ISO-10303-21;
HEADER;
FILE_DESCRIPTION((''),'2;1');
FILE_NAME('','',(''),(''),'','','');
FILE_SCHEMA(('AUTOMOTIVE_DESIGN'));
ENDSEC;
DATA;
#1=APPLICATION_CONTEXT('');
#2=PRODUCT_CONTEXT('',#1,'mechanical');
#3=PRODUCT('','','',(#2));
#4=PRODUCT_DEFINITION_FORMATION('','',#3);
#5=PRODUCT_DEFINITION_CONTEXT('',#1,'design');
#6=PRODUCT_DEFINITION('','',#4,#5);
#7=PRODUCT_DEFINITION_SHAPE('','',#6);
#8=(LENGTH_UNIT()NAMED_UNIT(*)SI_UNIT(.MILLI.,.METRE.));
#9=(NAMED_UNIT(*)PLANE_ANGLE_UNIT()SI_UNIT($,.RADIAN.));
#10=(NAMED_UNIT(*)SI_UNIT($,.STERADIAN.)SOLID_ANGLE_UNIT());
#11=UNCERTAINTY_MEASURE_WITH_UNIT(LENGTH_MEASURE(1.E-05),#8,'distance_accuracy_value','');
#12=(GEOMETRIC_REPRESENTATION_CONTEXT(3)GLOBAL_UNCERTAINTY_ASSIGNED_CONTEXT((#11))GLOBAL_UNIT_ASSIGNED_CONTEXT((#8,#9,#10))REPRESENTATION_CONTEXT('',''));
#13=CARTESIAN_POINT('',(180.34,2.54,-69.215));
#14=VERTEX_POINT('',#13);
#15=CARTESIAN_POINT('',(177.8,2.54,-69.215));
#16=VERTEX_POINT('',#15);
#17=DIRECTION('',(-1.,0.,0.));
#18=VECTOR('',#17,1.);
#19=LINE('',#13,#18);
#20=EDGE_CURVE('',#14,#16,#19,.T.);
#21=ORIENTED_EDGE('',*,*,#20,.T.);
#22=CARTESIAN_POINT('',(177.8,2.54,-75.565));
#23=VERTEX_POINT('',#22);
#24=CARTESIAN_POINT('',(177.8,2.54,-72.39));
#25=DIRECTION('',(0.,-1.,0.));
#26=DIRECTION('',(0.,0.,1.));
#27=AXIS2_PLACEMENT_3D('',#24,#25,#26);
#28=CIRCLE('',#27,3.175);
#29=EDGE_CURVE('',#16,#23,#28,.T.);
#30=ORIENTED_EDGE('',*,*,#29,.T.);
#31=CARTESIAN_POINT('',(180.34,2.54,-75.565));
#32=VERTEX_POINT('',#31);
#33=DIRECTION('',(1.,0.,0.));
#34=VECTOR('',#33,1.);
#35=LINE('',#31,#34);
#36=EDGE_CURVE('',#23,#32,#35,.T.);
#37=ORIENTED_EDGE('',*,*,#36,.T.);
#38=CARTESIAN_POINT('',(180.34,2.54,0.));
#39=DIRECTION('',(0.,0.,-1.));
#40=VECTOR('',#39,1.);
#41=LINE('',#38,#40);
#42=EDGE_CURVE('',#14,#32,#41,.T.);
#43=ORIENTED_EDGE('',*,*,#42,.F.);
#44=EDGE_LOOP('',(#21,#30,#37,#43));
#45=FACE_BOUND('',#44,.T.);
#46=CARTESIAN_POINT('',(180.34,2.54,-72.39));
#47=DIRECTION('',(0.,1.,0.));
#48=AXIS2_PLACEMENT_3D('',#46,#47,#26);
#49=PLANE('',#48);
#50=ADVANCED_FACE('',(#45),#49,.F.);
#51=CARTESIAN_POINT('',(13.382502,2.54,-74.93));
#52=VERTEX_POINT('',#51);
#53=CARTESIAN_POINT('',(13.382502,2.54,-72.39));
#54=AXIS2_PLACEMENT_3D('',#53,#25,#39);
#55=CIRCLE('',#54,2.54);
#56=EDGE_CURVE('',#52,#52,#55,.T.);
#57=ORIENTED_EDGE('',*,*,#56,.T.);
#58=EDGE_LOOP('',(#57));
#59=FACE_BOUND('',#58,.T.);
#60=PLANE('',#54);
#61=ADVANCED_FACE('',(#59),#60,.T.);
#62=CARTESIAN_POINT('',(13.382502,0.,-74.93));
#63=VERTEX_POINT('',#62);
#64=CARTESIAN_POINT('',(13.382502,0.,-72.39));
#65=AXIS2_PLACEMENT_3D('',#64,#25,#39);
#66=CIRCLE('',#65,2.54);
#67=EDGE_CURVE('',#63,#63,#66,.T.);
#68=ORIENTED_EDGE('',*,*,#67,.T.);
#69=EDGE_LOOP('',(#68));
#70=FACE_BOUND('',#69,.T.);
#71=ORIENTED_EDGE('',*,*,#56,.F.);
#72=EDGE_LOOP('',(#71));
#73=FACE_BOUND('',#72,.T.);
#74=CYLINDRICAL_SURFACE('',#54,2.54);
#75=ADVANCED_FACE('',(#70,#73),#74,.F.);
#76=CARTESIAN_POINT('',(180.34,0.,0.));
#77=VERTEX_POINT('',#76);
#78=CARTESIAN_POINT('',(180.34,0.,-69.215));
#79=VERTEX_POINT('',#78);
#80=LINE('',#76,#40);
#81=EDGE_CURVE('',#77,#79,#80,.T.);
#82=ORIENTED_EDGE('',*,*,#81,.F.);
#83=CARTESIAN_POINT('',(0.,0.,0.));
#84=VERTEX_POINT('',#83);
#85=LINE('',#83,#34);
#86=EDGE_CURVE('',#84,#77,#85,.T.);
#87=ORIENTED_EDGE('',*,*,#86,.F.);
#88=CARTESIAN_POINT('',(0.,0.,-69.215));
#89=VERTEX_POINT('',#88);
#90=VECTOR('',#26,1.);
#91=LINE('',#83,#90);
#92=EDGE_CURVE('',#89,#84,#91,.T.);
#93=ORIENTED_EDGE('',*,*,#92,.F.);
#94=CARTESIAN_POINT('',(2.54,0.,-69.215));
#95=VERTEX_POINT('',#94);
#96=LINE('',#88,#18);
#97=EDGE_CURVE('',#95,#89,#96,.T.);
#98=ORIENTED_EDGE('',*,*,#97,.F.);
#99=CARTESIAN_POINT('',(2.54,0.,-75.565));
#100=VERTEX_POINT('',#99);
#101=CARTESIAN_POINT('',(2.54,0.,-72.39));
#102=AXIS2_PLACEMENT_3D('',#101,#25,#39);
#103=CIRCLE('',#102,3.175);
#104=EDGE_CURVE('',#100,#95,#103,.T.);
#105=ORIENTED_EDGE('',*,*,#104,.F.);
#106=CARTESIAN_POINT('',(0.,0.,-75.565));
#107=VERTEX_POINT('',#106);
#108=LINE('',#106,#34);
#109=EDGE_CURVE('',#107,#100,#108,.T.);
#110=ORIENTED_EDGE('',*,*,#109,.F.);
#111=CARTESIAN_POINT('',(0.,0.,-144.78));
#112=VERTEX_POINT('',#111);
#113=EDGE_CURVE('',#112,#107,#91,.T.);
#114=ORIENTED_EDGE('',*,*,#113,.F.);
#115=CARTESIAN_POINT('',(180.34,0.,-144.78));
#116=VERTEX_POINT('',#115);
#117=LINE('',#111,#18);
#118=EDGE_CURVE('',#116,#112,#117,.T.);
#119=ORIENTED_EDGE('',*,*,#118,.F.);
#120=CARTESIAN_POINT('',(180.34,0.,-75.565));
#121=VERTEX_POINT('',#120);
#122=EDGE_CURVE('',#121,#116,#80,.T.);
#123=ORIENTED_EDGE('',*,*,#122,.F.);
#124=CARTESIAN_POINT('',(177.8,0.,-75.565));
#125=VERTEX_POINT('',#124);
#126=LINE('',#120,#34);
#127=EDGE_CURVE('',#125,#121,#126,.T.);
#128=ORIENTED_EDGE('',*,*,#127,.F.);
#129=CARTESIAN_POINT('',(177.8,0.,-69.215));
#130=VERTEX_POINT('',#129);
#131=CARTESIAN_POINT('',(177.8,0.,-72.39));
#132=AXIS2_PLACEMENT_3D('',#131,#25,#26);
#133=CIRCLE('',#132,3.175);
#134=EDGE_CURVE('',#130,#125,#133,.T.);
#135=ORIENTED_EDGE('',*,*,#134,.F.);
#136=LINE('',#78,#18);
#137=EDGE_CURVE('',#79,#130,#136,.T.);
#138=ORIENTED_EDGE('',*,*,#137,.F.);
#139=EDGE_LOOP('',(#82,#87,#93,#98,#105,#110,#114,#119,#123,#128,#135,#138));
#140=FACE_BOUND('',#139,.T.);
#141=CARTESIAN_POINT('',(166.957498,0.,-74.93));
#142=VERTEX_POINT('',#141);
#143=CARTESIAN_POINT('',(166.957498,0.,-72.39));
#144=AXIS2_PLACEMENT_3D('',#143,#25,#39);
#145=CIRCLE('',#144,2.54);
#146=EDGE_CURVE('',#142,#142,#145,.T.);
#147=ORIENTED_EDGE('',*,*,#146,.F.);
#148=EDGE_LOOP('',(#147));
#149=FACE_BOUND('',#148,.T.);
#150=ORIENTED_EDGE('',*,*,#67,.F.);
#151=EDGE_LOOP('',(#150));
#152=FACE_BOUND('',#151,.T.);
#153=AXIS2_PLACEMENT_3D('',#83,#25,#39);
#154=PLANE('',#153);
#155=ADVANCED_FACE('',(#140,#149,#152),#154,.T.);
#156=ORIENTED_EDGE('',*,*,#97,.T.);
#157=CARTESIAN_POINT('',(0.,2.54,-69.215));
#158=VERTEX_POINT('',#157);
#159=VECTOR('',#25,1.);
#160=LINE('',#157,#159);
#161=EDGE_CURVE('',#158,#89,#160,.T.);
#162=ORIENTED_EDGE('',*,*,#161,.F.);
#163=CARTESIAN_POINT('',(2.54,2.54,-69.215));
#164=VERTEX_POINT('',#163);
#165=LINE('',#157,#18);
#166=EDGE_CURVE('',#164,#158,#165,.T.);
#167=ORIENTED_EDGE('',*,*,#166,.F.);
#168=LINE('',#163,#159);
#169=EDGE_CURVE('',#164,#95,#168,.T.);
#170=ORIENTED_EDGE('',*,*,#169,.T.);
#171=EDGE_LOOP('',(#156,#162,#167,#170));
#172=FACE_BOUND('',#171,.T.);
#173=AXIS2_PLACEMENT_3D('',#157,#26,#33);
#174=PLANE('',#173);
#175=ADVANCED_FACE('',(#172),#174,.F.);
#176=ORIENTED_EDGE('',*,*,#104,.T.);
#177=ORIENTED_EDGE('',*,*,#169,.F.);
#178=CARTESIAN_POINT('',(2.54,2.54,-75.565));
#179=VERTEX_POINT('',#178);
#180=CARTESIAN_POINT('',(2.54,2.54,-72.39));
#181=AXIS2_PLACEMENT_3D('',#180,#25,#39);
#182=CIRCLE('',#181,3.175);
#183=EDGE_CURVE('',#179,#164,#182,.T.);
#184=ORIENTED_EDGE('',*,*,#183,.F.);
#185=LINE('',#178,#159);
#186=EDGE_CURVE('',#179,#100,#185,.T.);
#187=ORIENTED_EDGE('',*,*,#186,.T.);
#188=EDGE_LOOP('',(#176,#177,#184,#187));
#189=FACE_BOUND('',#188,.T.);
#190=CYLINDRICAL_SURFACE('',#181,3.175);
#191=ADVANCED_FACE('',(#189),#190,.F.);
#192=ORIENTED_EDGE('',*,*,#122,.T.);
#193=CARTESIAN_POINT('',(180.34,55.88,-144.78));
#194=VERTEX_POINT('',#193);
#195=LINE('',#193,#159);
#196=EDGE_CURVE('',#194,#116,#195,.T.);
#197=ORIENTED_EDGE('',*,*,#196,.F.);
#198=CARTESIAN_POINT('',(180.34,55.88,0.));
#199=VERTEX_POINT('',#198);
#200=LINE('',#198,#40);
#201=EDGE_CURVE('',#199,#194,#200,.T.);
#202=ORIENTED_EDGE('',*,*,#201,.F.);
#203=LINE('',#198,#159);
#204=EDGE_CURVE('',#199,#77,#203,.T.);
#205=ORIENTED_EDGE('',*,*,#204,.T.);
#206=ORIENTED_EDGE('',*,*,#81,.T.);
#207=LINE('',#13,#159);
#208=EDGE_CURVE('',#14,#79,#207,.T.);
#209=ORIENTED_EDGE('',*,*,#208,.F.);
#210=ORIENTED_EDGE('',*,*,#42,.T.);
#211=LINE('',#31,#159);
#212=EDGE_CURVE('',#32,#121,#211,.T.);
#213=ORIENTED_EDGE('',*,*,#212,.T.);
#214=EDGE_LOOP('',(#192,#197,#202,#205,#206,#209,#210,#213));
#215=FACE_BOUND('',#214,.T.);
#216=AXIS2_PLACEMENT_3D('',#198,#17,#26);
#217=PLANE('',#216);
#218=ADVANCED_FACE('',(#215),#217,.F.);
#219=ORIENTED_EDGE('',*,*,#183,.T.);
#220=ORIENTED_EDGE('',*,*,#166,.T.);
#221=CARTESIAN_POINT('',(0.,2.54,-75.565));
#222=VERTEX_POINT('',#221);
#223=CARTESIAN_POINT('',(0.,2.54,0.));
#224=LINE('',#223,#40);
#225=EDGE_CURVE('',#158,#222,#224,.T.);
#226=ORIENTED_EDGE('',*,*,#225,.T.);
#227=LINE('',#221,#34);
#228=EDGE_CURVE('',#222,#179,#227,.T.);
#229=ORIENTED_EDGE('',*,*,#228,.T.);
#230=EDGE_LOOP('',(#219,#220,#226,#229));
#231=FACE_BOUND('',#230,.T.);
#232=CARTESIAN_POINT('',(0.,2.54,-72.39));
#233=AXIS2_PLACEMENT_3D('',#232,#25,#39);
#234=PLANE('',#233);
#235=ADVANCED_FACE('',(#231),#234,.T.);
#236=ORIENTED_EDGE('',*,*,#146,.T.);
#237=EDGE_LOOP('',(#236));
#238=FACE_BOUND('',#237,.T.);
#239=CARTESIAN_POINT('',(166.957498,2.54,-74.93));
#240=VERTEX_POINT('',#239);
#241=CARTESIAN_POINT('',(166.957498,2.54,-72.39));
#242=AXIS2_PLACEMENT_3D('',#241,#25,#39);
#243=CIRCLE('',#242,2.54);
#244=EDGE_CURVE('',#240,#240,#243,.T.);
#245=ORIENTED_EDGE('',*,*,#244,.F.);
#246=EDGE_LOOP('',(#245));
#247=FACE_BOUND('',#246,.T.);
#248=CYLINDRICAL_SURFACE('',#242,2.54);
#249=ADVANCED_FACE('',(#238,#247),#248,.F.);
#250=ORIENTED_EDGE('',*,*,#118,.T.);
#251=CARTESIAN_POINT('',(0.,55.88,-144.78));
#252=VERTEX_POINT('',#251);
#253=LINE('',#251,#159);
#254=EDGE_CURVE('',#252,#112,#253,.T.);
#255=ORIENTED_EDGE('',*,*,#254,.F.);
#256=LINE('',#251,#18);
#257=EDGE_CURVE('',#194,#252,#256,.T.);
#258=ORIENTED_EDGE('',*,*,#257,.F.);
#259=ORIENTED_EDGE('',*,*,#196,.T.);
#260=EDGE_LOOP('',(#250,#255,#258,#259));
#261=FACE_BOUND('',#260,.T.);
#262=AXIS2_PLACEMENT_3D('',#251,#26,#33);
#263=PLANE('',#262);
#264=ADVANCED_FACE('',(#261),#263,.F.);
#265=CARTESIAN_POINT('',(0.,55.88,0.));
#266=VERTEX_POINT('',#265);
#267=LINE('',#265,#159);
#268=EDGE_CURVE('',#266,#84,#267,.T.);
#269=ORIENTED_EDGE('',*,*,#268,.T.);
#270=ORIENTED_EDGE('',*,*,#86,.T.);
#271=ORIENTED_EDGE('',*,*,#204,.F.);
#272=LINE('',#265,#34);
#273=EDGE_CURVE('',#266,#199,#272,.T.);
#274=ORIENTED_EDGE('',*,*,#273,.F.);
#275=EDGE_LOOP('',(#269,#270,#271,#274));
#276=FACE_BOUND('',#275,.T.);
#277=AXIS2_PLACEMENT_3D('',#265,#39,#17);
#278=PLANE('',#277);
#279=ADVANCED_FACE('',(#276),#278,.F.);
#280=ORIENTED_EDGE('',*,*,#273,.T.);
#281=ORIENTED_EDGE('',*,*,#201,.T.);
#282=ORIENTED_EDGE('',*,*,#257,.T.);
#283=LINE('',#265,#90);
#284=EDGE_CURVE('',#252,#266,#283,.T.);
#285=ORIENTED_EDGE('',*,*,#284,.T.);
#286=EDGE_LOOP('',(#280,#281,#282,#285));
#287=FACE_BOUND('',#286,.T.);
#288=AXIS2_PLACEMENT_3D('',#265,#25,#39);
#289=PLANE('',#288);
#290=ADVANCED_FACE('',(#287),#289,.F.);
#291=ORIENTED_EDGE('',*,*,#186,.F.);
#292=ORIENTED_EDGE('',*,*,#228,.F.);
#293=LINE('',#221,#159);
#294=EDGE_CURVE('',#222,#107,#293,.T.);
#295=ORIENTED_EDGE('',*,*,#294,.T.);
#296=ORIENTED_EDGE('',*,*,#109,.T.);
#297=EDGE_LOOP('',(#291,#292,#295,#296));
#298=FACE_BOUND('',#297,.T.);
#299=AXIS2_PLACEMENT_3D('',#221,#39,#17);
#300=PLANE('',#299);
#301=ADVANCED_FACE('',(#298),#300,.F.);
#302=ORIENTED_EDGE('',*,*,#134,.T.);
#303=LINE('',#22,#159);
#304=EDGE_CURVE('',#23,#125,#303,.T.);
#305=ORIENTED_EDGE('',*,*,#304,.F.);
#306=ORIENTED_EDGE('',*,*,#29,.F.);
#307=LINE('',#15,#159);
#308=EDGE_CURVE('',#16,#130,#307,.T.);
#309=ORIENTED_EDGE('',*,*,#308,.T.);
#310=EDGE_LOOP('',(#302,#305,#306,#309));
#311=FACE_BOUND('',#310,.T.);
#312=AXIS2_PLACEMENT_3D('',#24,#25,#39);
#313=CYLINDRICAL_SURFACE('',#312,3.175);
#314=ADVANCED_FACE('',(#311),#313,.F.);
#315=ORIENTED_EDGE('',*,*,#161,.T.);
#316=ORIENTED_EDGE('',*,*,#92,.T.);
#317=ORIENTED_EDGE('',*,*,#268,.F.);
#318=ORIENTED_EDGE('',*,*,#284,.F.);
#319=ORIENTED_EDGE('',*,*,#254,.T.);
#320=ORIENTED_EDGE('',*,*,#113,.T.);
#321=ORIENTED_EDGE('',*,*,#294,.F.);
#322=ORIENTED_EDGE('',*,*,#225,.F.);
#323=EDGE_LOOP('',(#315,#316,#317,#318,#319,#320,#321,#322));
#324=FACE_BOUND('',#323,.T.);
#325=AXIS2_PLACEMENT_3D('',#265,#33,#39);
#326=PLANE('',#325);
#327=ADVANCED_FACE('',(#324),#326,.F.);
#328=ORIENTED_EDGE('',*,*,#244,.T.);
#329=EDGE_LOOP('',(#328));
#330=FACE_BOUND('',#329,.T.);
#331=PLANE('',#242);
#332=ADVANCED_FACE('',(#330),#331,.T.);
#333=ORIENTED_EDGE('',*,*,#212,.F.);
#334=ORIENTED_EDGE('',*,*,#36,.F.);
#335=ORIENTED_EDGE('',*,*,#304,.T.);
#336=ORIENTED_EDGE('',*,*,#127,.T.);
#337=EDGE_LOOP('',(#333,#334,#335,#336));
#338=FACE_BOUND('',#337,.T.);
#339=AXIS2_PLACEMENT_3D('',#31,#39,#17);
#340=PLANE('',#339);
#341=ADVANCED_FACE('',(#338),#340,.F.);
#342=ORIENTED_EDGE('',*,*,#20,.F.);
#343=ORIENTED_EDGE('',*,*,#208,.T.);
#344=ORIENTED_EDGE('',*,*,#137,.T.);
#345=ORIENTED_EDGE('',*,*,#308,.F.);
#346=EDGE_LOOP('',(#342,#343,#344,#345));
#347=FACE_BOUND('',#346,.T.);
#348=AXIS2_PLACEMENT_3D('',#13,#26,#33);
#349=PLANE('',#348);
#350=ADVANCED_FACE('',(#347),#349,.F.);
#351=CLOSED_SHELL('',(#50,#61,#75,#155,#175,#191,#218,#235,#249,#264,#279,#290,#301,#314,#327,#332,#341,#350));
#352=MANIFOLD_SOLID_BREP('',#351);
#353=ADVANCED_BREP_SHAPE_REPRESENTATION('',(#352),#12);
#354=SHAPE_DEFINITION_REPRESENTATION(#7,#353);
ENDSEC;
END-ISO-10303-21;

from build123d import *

# Parameters (mm, degrees)
SKETCH2_W           = 180.34
SKETCH2_H           = 144.78
BOSS_EXTRUDE1_DEPTH = 55.88
CUT_EXTRUDE2_DEPTH  = 2.54
SKETCH3_R           = 2.54
CUT_EXTRUDE1_DEPTH  = 2.54


with BuildPart() as part:
    # Sketch2 → Boss-Extrude1 (new body)
    with BuildSketch(Plane(origin=(0, 0, 0), x_dir=(1, 0, 0), z_dir=(0, 1, 0))):
        with Locations((90.17, 72.39)):
            Rectangle(SKETCH2_W, SKETCH2_H)
    extrude(amount=BOSS_EXTRUDE1_DEPTH)

    # Sketch4 → Cut-Extrude2 (cut)
    with BuildSketch(Plane.XZ):
        with BuildLine():
            Line((0, -69.215), (2.54, -69.215))
            ThreePointArc((2.54, -69.215), (5.715, -72.39), (2.54, -75.565))
            Line((2.54, -75.565), (0, -75.565))
            ThreePointArc((0, -75.565), (-3.175, -72.39), (0, -69.215))
        make_face()
        with BuildLine():
            Line((180.34, -69.215), (177.8, -69.215))
            ThreePointArc((177.8, -69.215), (174.625, -72.39), (177.8, -75.565))
            Line((177.8, -75.565), (180.34, -75.565))
            ThreePointArc((180.34, -75.565), (183.515, -72.39), (180.34, -69.215))
        make_face()
    extrude(amount=-CUT_EXTRUDE2_DEPTH, mode=Mode.SUBTRACT)

    # Sketch3 → Cut-Extrude1 (cut)
    with BuildSketch(Plane.XZ):
        with Locations(Location((13.382501665, -72.39, 0), (0, 0, 270))):
            Circle(SKETCH3_R)
        with Locations(Location((166.957498335, -72.39, 0), (0, 0, 270))):
            Circle(SKETCH3_R)
    extrude(amount=-CUT_EXTRUDE1_DEPTH, mode=Mode.SUBTRACT)


solid = part.part
